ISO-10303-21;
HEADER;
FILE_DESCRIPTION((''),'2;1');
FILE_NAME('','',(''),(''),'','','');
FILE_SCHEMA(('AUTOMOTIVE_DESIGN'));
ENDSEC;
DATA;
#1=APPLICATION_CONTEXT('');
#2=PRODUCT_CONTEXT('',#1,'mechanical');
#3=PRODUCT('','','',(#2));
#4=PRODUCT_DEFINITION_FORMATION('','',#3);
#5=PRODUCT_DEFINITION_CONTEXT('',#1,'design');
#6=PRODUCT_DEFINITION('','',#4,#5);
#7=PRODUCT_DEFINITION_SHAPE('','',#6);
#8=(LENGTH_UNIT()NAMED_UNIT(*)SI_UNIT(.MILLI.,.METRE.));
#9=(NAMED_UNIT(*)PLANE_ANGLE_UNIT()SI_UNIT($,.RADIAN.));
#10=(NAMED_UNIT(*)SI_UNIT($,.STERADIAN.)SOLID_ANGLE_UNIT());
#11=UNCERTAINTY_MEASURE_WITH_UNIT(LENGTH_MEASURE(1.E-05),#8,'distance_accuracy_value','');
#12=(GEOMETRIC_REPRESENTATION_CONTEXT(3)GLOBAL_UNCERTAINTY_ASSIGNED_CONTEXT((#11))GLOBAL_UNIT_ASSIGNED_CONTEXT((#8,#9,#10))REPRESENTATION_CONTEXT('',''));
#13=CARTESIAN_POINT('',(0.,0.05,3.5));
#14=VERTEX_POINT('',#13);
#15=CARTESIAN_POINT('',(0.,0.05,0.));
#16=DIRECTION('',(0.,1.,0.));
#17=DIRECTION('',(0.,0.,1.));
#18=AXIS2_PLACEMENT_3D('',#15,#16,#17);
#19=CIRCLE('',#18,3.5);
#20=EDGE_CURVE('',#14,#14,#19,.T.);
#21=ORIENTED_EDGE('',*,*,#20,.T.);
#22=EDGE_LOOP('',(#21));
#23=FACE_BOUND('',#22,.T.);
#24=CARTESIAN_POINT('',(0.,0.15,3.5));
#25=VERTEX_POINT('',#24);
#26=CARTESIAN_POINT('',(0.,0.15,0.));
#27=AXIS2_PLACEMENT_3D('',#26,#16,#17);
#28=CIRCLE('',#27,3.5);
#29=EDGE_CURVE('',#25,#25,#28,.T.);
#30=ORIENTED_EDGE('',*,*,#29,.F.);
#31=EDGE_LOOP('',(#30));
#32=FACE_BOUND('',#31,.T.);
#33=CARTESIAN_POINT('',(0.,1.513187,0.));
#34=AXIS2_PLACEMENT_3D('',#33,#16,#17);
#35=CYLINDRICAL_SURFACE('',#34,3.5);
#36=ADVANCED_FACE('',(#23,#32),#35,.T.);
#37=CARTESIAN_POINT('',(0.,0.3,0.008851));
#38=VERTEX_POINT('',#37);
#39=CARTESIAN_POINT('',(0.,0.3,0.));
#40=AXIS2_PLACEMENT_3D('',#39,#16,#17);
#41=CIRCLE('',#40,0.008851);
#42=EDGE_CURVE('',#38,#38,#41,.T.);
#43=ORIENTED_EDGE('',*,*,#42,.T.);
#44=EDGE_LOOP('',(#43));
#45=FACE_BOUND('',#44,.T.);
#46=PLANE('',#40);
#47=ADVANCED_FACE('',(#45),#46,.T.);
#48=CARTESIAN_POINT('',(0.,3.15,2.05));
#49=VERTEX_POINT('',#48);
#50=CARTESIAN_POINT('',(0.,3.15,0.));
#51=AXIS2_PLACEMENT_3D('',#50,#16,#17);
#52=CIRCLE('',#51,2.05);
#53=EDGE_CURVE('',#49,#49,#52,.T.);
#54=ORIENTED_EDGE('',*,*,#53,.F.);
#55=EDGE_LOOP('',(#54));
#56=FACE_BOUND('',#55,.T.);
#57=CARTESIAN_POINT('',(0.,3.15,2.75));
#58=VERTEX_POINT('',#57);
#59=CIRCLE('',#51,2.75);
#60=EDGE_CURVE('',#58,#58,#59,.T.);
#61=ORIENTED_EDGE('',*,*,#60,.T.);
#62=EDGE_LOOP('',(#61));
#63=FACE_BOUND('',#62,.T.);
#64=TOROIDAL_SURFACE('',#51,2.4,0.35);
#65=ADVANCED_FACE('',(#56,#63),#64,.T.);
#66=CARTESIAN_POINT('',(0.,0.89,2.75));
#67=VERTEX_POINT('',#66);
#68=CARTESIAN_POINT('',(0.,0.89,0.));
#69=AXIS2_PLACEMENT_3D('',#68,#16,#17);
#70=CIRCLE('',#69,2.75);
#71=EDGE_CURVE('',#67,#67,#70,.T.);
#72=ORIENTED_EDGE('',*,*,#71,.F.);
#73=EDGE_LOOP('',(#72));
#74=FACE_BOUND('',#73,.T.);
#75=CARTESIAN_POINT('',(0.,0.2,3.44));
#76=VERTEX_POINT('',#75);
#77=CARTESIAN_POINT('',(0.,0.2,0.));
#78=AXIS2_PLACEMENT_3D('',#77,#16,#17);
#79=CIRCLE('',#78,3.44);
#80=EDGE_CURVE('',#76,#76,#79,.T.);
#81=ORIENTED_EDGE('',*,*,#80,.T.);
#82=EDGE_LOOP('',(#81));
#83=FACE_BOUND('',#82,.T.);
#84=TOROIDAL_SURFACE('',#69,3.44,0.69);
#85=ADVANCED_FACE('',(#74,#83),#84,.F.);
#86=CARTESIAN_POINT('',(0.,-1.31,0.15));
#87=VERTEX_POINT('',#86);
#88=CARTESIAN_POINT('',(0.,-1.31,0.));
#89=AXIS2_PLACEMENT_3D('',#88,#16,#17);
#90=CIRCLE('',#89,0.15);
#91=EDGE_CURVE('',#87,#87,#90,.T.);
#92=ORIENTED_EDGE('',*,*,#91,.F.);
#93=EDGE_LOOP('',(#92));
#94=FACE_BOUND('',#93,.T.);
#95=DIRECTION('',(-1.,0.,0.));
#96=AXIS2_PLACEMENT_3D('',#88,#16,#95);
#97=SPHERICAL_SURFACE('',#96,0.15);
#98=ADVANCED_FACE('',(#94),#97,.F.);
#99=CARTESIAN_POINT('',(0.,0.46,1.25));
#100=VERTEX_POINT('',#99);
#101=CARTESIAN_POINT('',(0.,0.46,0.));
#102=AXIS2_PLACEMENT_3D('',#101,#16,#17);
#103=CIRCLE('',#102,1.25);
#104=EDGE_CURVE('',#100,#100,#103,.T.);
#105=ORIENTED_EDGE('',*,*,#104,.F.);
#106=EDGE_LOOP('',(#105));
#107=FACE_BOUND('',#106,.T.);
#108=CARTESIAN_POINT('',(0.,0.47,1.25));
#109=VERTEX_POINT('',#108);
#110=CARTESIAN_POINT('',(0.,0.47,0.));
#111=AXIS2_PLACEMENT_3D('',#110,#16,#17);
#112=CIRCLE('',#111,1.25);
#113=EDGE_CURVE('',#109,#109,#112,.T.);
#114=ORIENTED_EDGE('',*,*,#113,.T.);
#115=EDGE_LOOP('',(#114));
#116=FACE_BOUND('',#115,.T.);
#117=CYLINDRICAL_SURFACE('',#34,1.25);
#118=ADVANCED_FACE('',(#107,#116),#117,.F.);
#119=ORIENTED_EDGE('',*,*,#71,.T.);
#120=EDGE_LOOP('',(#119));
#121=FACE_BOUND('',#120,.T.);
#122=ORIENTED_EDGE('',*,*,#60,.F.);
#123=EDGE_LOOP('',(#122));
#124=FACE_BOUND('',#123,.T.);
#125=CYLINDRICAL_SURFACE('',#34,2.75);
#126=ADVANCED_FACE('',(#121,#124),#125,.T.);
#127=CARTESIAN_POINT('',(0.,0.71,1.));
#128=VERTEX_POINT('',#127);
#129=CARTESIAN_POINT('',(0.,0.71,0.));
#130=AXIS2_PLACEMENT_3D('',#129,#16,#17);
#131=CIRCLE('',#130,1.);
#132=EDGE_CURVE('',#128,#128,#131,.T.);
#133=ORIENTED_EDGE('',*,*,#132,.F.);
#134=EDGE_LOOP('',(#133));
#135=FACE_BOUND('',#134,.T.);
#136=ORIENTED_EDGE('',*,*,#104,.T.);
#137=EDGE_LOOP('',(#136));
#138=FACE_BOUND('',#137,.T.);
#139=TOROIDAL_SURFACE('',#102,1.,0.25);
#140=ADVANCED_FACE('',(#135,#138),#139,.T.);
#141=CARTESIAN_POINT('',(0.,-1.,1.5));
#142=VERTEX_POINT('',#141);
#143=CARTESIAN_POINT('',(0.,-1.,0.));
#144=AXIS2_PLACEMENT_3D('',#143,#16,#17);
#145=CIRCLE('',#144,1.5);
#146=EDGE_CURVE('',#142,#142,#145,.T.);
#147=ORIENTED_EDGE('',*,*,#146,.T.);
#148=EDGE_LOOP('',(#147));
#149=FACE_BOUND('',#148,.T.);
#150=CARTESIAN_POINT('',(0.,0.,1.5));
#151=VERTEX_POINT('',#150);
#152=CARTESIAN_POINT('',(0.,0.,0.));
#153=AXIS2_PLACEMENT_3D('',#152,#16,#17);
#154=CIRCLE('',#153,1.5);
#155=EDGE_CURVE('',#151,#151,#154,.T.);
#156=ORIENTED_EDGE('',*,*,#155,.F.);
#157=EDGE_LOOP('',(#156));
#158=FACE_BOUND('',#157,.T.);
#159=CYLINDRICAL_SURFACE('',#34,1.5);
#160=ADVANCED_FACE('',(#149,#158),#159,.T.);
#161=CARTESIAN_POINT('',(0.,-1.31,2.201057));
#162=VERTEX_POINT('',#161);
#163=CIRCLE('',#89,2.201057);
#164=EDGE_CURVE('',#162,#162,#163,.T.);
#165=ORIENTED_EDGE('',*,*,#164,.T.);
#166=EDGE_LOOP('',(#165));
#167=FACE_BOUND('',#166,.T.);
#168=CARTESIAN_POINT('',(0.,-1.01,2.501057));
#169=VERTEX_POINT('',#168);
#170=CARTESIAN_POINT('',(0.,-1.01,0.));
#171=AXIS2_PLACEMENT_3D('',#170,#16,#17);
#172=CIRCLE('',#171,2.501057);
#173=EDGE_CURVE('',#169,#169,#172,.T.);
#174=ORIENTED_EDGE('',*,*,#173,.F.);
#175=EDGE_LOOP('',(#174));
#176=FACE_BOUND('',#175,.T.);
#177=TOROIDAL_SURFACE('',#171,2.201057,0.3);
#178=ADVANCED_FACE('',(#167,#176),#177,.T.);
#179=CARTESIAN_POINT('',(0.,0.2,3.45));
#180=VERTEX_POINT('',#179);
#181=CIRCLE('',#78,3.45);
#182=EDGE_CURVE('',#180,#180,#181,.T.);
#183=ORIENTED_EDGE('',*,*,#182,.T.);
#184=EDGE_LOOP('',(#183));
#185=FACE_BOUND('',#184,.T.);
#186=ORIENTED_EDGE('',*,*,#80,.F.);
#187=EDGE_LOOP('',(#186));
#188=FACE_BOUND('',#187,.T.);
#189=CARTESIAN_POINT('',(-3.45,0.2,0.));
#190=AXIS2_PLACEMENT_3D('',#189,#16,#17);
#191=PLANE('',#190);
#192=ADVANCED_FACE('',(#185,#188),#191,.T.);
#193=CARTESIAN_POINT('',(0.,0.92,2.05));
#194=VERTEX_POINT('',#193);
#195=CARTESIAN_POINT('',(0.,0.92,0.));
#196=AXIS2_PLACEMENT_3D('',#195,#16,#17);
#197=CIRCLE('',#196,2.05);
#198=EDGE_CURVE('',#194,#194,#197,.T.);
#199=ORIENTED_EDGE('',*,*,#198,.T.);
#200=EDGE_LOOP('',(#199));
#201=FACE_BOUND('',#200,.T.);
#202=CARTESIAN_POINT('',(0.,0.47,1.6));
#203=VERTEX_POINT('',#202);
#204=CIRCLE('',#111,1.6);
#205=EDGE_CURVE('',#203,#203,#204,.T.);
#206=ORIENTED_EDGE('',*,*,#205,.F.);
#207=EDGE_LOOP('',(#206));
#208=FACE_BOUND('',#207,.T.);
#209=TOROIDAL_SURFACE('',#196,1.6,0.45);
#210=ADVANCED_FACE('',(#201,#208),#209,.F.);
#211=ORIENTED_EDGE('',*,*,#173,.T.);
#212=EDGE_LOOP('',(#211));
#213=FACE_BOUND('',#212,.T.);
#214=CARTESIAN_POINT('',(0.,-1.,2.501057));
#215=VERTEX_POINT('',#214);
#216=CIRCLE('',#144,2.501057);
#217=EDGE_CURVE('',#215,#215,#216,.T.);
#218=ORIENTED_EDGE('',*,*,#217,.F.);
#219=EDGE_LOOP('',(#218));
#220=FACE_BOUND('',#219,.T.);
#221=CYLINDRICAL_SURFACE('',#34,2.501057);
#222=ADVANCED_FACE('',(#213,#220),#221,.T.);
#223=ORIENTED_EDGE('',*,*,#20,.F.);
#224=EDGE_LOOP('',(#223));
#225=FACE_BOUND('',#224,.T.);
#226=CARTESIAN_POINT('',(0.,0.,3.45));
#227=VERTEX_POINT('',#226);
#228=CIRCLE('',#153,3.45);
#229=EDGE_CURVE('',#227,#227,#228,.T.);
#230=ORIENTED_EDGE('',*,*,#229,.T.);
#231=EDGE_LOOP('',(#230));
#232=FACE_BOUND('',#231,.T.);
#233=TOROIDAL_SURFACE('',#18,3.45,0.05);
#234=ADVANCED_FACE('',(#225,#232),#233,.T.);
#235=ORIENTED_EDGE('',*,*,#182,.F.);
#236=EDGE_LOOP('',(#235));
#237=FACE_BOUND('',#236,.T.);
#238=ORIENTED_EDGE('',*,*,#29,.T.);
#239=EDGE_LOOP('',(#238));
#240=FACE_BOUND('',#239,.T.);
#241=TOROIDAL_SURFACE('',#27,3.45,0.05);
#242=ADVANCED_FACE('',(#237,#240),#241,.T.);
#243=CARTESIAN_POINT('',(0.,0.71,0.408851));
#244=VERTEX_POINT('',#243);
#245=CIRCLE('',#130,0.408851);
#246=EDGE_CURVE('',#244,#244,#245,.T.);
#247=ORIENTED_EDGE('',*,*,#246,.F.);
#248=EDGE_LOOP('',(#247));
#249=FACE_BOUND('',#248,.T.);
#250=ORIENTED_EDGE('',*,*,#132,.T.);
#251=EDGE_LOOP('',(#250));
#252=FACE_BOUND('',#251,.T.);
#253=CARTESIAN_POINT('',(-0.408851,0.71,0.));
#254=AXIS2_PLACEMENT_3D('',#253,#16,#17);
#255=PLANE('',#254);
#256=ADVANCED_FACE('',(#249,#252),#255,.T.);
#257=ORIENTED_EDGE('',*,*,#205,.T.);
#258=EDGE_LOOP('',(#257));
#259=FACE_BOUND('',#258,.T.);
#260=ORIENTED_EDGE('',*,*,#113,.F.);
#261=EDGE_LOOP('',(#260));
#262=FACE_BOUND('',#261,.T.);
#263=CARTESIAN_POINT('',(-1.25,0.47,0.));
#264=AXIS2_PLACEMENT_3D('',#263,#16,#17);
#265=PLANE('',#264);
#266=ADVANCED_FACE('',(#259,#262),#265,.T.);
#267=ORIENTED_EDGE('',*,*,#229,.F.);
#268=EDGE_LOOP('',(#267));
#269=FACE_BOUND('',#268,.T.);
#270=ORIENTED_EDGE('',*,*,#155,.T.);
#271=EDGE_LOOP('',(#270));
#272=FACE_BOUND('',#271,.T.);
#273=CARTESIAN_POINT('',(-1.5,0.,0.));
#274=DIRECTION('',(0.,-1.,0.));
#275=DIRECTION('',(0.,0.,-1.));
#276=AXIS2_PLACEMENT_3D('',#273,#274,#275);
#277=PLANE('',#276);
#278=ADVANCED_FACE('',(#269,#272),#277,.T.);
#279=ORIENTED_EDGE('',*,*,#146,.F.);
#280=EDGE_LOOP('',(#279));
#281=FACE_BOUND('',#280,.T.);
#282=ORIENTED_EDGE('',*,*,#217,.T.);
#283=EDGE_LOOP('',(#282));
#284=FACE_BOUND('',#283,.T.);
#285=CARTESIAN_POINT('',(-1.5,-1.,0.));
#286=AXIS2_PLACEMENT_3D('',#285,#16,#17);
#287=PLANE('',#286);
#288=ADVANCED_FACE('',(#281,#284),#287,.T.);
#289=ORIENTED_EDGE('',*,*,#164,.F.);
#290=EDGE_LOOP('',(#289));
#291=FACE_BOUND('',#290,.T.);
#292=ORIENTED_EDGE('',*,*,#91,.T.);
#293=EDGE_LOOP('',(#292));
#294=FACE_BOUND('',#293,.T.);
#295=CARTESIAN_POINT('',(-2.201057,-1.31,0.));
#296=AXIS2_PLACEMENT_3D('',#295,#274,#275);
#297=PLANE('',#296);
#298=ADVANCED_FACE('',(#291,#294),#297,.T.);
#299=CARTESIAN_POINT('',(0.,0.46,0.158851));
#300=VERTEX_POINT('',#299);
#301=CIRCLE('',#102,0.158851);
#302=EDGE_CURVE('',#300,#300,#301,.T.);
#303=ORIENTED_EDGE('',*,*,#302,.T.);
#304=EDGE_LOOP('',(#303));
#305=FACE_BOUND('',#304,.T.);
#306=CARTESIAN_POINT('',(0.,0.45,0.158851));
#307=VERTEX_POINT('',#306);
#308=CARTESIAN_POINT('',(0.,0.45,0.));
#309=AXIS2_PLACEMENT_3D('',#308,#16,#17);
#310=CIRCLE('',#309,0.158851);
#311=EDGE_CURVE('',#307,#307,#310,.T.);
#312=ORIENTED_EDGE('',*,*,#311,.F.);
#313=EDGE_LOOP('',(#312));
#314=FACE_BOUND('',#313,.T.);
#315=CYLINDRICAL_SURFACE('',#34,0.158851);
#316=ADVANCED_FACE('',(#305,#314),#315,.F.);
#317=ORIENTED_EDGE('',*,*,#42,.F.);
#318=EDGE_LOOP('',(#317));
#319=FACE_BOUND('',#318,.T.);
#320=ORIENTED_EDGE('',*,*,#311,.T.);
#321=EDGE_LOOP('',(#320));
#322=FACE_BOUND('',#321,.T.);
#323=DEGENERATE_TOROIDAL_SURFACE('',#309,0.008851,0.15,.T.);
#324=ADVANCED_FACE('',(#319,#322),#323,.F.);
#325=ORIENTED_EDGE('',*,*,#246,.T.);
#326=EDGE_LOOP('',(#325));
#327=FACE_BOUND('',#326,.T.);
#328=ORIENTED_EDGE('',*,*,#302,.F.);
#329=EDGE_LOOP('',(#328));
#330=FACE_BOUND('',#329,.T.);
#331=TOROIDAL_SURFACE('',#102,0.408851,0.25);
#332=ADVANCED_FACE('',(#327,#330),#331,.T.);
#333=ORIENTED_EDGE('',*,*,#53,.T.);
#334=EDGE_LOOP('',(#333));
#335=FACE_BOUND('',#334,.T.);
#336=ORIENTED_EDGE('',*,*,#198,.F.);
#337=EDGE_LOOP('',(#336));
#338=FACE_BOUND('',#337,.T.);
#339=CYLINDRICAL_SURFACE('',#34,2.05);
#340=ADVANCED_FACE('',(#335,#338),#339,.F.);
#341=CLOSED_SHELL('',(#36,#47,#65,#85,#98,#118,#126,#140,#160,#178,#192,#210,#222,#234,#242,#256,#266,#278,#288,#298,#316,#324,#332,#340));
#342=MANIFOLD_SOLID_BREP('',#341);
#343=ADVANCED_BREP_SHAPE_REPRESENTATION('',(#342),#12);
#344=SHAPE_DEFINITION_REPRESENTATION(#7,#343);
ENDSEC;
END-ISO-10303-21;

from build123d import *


with BuildPart() as part:
    # Esquisse1 → Révolution1 (revolve)
    with BuildSketch(Plane.XY, mode=Mode.PRIVATE) as r_volution1_sk:
        with BuildLine():
            Line((0, 0), (0, 0.3))
            Line((0, 0.3), (-0.008851171, 0.3))
            ThreePointArc((-0.008851171, 0.3), (-0.114917188, 0.343933983), (-0.158851171, 0.45))
            Line((-0.158851171, 0.45), (-0.158851171, 0.46))
            ThreePointArc((-0.158851171, 0.46), (-0.232074476, 0.636776695), (-0.408851171, 0.71))
            Line((-0.408851171, 0.71), (-1, 0.71))
            ThreePointArc((-1, 0.71), (-1.176776695, 0.636776695), (-1.25, 0.46))
            Line((-1.25, 0.46), (-1.25, 0.47))
            Line((-1.25, 0.47), (-1.6, 0.47))
            ThreePointArc((-1.6, 0.47), (-1.918198052, 0.601801948), (-2.05, 0.92))
            Line((-2.05, 0.92), (-2.05, 3.15))
            ThreePointArc((-2.05, 3.15), (-2.4, 3.5), (-2.75, 3.15))
            Line((-2.75, 3.15), (-2.75, 0.89))
            ThreePointArc((-2.75, 0.89), (-2.952096321, 0.402096321), (-3.44, 0.2))
            Line((-3.44, 0.2), (-3.45, 0.2))
            ThreePointArc((-3.45, 0.2), (-3.485355339, 0.185355339), (-3.5, 0.15))
            Line((-3.5, 0.15), (-3.5, 0.05))
            ThreePointArc((-3.5, 0.05), (-3.485355339, 0.014644661), (-3.45, 0))
            Line((-3.45, 0), (-1.5, 0))
            Line((-1.5, 0), (-1.5, -1))
            Line((-1.5, -1), (-2.501056659, -1))
            Line((-2.501056659, -1), (-2.501056659, -1.01))
            ThreePointArc((-2.501056659, -1.01), (-2.413188693, -1.222132034), (-2.201056659, -1.31))
            Line((-2.201056659, -1.31), (-0.15, -1.31))
            ThreePointArc((-0.15, -1.31), (-0.106066017, -1.203933983), (0, -1.16))
            Line((0, -1.16), (0, 0))
        make_face()
    revolve(r_volution1_sk.sketch.rotate(Axis((0, 1.513186813, 0), (0, -1, 0)), 270), axis=Axis((0, 1.513186813, 0), (0, -1, 0)))


solid = part.part
